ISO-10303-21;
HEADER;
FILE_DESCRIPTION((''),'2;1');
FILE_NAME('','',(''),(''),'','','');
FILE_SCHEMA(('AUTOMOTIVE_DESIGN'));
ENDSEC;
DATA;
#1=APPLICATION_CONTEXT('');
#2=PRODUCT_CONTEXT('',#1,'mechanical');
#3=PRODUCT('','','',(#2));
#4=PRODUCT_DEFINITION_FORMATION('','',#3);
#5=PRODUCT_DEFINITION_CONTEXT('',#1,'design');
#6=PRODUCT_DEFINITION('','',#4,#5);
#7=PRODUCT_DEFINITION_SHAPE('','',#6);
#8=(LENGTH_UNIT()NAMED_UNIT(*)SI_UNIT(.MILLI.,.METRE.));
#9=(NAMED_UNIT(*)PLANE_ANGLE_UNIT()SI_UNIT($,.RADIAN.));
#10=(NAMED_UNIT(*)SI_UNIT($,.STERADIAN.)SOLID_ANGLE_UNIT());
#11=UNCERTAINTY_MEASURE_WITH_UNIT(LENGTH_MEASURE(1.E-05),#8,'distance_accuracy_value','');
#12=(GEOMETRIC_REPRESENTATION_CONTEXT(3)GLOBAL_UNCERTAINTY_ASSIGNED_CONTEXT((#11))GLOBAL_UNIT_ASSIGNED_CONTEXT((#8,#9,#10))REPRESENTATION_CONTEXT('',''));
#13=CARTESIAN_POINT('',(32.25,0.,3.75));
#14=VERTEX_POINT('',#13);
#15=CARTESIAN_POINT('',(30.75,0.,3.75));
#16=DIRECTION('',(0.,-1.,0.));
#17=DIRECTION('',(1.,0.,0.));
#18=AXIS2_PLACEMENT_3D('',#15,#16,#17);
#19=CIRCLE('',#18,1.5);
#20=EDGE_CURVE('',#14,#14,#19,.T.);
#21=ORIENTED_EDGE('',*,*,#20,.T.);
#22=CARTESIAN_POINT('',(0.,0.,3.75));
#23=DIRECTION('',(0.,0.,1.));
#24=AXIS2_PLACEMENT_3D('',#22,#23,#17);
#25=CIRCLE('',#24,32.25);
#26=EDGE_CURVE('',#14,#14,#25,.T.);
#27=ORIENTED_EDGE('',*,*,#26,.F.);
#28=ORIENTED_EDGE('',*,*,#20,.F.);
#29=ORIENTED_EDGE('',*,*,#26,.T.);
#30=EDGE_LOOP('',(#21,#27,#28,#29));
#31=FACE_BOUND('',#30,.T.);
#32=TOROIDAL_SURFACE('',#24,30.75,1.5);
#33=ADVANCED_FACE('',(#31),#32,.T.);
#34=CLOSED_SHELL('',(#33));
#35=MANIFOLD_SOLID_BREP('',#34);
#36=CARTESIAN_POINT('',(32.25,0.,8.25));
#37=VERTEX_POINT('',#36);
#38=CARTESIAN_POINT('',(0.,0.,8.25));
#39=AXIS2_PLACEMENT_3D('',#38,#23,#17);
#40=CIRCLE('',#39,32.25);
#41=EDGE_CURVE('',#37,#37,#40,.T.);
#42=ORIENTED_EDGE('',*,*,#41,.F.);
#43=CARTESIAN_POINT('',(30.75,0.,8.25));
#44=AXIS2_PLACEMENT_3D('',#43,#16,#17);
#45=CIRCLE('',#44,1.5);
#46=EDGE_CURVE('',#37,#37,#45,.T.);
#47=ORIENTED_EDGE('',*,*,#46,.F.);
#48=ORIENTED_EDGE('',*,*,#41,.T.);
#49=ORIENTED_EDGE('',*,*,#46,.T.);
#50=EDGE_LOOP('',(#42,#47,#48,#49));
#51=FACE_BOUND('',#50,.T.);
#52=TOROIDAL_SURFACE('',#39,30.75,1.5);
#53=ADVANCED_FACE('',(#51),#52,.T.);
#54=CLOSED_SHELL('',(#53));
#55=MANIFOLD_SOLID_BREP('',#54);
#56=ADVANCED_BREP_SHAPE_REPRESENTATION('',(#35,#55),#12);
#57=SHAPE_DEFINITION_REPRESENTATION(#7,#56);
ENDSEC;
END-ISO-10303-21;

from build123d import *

# Parameters (mm, degrees)
TORUS001_R = 1.5
TORUS_R    = 1.5


with BuildPart() as torus001:
    # Torus001 → Torus001 (revolve)
    with BuildSketch(Plane(origin=(0, 0, 8.25), x_dir=(1, 0, 0), z_dir=(0, -1, 0))):
        with Locations((30.75, 0)):
            Circle(TORUS001_R)
    revolve(axis=Axis((0, 0, 8.25), (0, 0, 1)))


with BuildPart() as cubierta_mclon:
    # Torus → Torus (revolve)
    with BuildSketch(Plane(origin=(0, 0, 3.75), x_dir=(1, 0, 0), z_dir=(0, -1, 0))):
        with Locations((30.75, 0)):
            Circle(TORUS_R)
    revolve(axis=Axis((0, 0, 3.75), (0, 0, 1)))

    # Fusion: union Torus001
    add(torus001.part)


solid = cubierta_mclon.part
